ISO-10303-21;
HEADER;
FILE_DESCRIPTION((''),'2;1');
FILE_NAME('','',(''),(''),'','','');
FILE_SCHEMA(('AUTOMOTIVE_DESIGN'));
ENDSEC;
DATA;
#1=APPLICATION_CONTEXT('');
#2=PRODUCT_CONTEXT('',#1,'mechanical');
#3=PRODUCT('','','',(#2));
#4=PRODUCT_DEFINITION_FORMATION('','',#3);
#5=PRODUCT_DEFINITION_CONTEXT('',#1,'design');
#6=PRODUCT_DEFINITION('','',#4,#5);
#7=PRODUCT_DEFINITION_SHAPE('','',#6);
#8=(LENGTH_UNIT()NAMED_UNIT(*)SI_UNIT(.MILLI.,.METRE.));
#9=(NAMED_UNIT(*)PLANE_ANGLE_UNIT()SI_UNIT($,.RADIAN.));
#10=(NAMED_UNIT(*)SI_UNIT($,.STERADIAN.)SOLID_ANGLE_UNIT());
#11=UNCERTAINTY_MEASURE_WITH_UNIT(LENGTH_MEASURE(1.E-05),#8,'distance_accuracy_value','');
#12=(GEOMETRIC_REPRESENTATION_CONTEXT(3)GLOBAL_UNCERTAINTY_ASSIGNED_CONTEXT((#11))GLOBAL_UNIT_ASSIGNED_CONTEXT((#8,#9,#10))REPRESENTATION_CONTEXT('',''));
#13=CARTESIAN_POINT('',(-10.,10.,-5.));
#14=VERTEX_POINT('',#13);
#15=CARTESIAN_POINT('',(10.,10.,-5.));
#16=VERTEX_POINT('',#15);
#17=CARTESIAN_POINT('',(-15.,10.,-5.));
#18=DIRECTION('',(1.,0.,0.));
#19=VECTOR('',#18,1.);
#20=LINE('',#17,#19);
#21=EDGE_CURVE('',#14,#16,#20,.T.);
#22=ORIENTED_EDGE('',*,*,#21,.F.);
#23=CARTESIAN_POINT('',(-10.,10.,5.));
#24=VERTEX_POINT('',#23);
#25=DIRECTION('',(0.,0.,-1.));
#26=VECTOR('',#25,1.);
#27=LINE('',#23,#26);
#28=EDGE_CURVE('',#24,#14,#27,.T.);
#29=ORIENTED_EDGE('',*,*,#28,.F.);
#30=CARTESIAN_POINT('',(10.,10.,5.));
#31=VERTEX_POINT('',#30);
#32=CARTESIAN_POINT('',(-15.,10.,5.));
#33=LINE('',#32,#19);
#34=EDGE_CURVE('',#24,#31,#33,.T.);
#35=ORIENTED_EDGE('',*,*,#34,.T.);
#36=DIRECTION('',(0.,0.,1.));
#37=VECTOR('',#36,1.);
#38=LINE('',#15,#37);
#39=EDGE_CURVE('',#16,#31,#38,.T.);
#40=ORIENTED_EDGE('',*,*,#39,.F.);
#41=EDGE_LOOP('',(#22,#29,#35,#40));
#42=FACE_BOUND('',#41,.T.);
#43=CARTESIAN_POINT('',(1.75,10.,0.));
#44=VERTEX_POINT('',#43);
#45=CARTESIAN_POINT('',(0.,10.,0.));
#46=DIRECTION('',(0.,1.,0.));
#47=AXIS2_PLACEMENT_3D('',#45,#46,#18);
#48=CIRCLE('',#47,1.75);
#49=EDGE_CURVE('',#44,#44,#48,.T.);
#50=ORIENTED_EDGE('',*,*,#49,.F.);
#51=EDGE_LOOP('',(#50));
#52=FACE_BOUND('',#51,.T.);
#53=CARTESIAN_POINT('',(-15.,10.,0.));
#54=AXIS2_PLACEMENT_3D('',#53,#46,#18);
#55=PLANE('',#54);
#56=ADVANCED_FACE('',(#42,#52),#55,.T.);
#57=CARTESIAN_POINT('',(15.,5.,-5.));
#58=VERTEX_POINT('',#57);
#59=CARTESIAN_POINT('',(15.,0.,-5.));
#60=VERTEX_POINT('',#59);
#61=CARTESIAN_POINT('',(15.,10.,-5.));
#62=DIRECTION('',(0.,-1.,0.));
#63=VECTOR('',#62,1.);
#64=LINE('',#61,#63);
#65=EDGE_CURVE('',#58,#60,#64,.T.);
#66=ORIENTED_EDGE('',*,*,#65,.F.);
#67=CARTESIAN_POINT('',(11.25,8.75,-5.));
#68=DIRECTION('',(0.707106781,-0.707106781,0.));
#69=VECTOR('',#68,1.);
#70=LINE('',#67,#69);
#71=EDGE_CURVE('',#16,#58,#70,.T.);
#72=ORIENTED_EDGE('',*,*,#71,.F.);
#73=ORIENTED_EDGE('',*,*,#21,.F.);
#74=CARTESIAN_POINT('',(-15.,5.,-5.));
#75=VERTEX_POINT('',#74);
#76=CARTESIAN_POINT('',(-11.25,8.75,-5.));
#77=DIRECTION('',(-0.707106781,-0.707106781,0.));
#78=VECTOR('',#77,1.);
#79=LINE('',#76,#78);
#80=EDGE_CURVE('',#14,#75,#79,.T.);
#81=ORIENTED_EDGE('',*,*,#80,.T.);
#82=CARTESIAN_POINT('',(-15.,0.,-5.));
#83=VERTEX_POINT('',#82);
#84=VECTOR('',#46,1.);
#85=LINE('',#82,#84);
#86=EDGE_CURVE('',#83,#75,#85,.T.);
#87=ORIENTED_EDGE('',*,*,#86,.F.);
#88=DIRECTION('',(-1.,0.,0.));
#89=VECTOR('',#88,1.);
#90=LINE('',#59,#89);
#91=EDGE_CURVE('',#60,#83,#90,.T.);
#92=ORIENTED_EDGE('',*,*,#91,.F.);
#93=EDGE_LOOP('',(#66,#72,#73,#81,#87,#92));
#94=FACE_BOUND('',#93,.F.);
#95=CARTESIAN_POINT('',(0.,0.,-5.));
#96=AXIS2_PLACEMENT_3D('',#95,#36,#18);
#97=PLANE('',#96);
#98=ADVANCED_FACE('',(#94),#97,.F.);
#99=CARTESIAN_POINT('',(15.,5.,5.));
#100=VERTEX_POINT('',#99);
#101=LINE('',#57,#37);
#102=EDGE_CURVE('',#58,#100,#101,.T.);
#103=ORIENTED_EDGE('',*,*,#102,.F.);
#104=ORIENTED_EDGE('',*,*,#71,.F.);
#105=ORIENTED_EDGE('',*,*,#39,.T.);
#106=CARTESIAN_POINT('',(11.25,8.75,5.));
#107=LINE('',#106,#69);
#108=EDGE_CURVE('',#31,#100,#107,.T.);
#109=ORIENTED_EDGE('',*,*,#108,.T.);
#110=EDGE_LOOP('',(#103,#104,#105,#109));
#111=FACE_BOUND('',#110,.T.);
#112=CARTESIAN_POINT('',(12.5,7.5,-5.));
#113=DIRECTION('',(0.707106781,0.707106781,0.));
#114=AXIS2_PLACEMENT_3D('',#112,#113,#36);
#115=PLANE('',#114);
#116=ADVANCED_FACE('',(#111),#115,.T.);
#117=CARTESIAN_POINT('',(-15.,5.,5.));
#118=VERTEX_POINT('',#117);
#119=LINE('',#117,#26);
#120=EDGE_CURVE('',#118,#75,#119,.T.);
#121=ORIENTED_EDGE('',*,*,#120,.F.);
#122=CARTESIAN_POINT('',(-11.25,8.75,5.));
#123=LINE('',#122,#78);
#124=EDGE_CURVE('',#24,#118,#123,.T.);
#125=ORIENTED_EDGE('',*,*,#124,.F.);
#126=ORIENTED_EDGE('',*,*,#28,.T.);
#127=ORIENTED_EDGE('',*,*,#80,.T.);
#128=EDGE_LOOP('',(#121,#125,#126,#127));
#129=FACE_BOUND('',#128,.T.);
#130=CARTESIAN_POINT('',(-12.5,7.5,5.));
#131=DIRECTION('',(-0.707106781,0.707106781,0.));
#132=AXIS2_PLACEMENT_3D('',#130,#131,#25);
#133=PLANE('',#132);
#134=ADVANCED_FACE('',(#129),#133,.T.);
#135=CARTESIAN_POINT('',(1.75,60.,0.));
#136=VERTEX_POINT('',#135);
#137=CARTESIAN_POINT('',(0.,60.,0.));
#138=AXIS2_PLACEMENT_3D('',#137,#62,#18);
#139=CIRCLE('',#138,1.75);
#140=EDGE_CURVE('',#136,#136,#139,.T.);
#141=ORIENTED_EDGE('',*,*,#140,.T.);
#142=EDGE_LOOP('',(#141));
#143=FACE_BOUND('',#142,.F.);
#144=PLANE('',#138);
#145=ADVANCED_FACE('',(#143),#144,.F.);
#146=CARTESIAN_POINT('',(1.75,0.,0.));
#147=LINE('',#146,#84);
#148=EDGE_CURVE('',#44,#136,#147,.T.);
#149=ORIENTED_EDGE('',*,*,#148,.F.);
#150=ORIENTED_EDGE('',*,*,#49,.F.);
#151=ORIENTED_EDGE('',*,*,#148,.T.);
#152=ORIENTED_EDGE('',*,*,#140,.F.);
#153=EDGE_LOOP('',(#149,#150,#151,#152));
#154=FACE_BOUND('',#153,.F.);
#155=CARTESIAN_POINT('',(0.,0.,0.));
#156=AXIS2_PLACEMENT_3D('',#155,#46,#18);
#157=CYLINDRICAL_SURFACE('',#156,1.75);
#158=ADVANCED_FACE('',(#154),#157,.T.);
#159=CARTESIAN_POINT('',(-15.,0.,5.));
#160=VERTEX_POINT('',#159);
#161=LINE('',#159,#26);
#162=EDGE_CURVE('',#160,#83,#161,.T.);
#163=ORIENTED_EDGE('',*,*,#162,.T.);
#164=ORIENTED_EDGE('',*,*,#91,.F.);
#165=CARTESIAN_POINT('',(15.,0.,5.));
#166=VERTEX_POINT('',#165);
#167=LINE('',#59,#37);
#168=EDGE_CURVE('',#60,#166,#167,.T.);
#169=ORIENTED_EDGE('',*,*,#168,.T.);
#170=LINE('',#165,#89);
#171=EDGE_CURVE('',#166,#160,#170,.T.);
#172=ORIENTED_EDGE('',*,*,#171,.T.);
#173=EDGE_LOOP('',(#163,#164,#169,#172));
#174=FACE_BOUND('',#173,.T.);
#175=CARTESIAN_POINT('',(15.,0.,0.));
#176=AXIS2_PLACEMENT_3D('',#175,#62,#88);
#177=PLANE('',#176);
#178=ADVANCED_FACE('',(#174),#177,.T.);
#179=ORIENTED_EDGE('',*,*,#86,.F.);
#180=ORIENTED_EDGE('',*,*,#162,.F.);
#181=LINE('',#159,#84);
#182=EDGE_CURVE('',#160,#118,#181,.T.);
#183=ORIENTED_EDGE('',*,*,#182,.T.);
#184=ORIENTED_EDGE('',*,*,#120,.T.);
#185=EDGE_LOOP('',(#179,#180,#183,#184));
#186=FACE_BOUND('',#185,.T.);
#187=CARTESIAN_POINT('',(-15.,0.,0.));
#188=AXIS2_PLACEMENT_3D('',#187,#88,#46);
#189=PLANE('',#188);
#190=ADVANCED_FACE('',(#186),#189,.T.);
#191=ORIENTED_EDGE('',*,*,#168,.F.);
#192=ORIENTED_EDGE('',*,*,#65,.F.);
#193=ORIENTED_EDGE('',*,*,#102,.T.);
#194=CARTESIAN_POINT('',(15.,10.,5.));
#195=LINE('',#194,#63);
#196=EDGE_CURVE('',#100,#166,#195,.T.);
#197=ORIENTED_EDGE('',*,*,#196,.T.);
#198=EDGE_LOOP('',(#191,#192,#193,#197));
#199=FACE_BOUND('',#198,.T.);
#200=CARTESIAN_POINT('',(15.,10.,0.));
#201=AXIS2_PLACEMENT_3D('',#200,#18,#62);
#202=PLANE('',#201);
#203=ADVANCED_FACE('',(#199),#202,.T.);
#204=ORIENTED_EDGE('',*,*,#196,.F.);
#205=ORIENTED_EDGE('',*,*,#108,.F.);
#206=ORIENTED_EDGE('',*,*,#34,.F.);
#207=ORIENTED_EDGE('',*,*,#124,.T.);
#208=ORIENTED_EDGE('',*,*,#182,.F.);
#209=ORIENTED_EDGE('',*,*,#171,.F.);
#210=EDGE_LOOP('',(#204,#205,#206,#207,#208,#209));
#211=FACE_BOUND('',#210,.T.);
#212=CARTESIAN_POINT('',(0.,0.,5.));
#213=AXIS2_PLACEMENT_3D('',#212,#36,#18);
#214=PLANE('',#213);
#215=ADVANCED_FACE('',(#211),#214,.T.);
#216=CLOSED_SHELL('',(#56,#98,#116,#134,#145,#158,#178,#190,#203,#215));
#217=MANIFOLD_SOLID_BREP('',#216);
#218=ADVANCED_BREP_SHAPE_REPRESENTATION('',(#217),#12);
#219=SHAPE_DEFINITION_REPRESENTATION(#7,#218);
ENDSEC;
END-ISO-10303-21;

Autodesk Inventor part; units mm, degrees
ref_plane "YZ Plane" through (0, 0, 0) normal (1, 0, 0) x (0, 1, 0)
ref_plane "XZ Plane" through (0, 0, 0) normal (0, 1, 0) x (-1, 0, 0)
ref_plane "XY Plane" through (0, 0, 0) normal (0, 0, 1) x (1, 0, 0)
sketch "草圖1" plane through (0, 0, 0) normal (0, 0, 1) x (1, 0, 0)
  line L0 (0, 0) -> (1.75, 0)
  line L1 (1.75, 0) -> (1.75, 60)
  line L2 (1.75, 60) -> (0, 60)
  line L3 (0, 60) -> (0, 0)
  dimension "d0" = 1.75
  dimension "d1" = 60
revolve "迴轉1" add sketch "草圖1" angle 360 about axis through (0, 60, 0) along (0, -1, 0)
sketch "草圖2" plane through (0, 0, 0) normal (0, 0, 1) x (1, 0, 0)
  line L0 (15, 0) -> (-15, 0)
  line L1 (-15, 0) -> (-15, 10)
  line L2 (-15, 10) -> (15, 10)
  line L3 (15, 10) -> (15, 0)
  point P0 (0, 0)
  dimension "d3" = 10
  dimension "d4" = 30
  dimension "d5" = 15
extrude "擠出1" add sketch "草圖2" along normal mid plane 10
chamfer "倒角1" distance 5 angle 45 2 edges at (-15, 10, 0) (15, 10, 0)
properties part number "車軸"
